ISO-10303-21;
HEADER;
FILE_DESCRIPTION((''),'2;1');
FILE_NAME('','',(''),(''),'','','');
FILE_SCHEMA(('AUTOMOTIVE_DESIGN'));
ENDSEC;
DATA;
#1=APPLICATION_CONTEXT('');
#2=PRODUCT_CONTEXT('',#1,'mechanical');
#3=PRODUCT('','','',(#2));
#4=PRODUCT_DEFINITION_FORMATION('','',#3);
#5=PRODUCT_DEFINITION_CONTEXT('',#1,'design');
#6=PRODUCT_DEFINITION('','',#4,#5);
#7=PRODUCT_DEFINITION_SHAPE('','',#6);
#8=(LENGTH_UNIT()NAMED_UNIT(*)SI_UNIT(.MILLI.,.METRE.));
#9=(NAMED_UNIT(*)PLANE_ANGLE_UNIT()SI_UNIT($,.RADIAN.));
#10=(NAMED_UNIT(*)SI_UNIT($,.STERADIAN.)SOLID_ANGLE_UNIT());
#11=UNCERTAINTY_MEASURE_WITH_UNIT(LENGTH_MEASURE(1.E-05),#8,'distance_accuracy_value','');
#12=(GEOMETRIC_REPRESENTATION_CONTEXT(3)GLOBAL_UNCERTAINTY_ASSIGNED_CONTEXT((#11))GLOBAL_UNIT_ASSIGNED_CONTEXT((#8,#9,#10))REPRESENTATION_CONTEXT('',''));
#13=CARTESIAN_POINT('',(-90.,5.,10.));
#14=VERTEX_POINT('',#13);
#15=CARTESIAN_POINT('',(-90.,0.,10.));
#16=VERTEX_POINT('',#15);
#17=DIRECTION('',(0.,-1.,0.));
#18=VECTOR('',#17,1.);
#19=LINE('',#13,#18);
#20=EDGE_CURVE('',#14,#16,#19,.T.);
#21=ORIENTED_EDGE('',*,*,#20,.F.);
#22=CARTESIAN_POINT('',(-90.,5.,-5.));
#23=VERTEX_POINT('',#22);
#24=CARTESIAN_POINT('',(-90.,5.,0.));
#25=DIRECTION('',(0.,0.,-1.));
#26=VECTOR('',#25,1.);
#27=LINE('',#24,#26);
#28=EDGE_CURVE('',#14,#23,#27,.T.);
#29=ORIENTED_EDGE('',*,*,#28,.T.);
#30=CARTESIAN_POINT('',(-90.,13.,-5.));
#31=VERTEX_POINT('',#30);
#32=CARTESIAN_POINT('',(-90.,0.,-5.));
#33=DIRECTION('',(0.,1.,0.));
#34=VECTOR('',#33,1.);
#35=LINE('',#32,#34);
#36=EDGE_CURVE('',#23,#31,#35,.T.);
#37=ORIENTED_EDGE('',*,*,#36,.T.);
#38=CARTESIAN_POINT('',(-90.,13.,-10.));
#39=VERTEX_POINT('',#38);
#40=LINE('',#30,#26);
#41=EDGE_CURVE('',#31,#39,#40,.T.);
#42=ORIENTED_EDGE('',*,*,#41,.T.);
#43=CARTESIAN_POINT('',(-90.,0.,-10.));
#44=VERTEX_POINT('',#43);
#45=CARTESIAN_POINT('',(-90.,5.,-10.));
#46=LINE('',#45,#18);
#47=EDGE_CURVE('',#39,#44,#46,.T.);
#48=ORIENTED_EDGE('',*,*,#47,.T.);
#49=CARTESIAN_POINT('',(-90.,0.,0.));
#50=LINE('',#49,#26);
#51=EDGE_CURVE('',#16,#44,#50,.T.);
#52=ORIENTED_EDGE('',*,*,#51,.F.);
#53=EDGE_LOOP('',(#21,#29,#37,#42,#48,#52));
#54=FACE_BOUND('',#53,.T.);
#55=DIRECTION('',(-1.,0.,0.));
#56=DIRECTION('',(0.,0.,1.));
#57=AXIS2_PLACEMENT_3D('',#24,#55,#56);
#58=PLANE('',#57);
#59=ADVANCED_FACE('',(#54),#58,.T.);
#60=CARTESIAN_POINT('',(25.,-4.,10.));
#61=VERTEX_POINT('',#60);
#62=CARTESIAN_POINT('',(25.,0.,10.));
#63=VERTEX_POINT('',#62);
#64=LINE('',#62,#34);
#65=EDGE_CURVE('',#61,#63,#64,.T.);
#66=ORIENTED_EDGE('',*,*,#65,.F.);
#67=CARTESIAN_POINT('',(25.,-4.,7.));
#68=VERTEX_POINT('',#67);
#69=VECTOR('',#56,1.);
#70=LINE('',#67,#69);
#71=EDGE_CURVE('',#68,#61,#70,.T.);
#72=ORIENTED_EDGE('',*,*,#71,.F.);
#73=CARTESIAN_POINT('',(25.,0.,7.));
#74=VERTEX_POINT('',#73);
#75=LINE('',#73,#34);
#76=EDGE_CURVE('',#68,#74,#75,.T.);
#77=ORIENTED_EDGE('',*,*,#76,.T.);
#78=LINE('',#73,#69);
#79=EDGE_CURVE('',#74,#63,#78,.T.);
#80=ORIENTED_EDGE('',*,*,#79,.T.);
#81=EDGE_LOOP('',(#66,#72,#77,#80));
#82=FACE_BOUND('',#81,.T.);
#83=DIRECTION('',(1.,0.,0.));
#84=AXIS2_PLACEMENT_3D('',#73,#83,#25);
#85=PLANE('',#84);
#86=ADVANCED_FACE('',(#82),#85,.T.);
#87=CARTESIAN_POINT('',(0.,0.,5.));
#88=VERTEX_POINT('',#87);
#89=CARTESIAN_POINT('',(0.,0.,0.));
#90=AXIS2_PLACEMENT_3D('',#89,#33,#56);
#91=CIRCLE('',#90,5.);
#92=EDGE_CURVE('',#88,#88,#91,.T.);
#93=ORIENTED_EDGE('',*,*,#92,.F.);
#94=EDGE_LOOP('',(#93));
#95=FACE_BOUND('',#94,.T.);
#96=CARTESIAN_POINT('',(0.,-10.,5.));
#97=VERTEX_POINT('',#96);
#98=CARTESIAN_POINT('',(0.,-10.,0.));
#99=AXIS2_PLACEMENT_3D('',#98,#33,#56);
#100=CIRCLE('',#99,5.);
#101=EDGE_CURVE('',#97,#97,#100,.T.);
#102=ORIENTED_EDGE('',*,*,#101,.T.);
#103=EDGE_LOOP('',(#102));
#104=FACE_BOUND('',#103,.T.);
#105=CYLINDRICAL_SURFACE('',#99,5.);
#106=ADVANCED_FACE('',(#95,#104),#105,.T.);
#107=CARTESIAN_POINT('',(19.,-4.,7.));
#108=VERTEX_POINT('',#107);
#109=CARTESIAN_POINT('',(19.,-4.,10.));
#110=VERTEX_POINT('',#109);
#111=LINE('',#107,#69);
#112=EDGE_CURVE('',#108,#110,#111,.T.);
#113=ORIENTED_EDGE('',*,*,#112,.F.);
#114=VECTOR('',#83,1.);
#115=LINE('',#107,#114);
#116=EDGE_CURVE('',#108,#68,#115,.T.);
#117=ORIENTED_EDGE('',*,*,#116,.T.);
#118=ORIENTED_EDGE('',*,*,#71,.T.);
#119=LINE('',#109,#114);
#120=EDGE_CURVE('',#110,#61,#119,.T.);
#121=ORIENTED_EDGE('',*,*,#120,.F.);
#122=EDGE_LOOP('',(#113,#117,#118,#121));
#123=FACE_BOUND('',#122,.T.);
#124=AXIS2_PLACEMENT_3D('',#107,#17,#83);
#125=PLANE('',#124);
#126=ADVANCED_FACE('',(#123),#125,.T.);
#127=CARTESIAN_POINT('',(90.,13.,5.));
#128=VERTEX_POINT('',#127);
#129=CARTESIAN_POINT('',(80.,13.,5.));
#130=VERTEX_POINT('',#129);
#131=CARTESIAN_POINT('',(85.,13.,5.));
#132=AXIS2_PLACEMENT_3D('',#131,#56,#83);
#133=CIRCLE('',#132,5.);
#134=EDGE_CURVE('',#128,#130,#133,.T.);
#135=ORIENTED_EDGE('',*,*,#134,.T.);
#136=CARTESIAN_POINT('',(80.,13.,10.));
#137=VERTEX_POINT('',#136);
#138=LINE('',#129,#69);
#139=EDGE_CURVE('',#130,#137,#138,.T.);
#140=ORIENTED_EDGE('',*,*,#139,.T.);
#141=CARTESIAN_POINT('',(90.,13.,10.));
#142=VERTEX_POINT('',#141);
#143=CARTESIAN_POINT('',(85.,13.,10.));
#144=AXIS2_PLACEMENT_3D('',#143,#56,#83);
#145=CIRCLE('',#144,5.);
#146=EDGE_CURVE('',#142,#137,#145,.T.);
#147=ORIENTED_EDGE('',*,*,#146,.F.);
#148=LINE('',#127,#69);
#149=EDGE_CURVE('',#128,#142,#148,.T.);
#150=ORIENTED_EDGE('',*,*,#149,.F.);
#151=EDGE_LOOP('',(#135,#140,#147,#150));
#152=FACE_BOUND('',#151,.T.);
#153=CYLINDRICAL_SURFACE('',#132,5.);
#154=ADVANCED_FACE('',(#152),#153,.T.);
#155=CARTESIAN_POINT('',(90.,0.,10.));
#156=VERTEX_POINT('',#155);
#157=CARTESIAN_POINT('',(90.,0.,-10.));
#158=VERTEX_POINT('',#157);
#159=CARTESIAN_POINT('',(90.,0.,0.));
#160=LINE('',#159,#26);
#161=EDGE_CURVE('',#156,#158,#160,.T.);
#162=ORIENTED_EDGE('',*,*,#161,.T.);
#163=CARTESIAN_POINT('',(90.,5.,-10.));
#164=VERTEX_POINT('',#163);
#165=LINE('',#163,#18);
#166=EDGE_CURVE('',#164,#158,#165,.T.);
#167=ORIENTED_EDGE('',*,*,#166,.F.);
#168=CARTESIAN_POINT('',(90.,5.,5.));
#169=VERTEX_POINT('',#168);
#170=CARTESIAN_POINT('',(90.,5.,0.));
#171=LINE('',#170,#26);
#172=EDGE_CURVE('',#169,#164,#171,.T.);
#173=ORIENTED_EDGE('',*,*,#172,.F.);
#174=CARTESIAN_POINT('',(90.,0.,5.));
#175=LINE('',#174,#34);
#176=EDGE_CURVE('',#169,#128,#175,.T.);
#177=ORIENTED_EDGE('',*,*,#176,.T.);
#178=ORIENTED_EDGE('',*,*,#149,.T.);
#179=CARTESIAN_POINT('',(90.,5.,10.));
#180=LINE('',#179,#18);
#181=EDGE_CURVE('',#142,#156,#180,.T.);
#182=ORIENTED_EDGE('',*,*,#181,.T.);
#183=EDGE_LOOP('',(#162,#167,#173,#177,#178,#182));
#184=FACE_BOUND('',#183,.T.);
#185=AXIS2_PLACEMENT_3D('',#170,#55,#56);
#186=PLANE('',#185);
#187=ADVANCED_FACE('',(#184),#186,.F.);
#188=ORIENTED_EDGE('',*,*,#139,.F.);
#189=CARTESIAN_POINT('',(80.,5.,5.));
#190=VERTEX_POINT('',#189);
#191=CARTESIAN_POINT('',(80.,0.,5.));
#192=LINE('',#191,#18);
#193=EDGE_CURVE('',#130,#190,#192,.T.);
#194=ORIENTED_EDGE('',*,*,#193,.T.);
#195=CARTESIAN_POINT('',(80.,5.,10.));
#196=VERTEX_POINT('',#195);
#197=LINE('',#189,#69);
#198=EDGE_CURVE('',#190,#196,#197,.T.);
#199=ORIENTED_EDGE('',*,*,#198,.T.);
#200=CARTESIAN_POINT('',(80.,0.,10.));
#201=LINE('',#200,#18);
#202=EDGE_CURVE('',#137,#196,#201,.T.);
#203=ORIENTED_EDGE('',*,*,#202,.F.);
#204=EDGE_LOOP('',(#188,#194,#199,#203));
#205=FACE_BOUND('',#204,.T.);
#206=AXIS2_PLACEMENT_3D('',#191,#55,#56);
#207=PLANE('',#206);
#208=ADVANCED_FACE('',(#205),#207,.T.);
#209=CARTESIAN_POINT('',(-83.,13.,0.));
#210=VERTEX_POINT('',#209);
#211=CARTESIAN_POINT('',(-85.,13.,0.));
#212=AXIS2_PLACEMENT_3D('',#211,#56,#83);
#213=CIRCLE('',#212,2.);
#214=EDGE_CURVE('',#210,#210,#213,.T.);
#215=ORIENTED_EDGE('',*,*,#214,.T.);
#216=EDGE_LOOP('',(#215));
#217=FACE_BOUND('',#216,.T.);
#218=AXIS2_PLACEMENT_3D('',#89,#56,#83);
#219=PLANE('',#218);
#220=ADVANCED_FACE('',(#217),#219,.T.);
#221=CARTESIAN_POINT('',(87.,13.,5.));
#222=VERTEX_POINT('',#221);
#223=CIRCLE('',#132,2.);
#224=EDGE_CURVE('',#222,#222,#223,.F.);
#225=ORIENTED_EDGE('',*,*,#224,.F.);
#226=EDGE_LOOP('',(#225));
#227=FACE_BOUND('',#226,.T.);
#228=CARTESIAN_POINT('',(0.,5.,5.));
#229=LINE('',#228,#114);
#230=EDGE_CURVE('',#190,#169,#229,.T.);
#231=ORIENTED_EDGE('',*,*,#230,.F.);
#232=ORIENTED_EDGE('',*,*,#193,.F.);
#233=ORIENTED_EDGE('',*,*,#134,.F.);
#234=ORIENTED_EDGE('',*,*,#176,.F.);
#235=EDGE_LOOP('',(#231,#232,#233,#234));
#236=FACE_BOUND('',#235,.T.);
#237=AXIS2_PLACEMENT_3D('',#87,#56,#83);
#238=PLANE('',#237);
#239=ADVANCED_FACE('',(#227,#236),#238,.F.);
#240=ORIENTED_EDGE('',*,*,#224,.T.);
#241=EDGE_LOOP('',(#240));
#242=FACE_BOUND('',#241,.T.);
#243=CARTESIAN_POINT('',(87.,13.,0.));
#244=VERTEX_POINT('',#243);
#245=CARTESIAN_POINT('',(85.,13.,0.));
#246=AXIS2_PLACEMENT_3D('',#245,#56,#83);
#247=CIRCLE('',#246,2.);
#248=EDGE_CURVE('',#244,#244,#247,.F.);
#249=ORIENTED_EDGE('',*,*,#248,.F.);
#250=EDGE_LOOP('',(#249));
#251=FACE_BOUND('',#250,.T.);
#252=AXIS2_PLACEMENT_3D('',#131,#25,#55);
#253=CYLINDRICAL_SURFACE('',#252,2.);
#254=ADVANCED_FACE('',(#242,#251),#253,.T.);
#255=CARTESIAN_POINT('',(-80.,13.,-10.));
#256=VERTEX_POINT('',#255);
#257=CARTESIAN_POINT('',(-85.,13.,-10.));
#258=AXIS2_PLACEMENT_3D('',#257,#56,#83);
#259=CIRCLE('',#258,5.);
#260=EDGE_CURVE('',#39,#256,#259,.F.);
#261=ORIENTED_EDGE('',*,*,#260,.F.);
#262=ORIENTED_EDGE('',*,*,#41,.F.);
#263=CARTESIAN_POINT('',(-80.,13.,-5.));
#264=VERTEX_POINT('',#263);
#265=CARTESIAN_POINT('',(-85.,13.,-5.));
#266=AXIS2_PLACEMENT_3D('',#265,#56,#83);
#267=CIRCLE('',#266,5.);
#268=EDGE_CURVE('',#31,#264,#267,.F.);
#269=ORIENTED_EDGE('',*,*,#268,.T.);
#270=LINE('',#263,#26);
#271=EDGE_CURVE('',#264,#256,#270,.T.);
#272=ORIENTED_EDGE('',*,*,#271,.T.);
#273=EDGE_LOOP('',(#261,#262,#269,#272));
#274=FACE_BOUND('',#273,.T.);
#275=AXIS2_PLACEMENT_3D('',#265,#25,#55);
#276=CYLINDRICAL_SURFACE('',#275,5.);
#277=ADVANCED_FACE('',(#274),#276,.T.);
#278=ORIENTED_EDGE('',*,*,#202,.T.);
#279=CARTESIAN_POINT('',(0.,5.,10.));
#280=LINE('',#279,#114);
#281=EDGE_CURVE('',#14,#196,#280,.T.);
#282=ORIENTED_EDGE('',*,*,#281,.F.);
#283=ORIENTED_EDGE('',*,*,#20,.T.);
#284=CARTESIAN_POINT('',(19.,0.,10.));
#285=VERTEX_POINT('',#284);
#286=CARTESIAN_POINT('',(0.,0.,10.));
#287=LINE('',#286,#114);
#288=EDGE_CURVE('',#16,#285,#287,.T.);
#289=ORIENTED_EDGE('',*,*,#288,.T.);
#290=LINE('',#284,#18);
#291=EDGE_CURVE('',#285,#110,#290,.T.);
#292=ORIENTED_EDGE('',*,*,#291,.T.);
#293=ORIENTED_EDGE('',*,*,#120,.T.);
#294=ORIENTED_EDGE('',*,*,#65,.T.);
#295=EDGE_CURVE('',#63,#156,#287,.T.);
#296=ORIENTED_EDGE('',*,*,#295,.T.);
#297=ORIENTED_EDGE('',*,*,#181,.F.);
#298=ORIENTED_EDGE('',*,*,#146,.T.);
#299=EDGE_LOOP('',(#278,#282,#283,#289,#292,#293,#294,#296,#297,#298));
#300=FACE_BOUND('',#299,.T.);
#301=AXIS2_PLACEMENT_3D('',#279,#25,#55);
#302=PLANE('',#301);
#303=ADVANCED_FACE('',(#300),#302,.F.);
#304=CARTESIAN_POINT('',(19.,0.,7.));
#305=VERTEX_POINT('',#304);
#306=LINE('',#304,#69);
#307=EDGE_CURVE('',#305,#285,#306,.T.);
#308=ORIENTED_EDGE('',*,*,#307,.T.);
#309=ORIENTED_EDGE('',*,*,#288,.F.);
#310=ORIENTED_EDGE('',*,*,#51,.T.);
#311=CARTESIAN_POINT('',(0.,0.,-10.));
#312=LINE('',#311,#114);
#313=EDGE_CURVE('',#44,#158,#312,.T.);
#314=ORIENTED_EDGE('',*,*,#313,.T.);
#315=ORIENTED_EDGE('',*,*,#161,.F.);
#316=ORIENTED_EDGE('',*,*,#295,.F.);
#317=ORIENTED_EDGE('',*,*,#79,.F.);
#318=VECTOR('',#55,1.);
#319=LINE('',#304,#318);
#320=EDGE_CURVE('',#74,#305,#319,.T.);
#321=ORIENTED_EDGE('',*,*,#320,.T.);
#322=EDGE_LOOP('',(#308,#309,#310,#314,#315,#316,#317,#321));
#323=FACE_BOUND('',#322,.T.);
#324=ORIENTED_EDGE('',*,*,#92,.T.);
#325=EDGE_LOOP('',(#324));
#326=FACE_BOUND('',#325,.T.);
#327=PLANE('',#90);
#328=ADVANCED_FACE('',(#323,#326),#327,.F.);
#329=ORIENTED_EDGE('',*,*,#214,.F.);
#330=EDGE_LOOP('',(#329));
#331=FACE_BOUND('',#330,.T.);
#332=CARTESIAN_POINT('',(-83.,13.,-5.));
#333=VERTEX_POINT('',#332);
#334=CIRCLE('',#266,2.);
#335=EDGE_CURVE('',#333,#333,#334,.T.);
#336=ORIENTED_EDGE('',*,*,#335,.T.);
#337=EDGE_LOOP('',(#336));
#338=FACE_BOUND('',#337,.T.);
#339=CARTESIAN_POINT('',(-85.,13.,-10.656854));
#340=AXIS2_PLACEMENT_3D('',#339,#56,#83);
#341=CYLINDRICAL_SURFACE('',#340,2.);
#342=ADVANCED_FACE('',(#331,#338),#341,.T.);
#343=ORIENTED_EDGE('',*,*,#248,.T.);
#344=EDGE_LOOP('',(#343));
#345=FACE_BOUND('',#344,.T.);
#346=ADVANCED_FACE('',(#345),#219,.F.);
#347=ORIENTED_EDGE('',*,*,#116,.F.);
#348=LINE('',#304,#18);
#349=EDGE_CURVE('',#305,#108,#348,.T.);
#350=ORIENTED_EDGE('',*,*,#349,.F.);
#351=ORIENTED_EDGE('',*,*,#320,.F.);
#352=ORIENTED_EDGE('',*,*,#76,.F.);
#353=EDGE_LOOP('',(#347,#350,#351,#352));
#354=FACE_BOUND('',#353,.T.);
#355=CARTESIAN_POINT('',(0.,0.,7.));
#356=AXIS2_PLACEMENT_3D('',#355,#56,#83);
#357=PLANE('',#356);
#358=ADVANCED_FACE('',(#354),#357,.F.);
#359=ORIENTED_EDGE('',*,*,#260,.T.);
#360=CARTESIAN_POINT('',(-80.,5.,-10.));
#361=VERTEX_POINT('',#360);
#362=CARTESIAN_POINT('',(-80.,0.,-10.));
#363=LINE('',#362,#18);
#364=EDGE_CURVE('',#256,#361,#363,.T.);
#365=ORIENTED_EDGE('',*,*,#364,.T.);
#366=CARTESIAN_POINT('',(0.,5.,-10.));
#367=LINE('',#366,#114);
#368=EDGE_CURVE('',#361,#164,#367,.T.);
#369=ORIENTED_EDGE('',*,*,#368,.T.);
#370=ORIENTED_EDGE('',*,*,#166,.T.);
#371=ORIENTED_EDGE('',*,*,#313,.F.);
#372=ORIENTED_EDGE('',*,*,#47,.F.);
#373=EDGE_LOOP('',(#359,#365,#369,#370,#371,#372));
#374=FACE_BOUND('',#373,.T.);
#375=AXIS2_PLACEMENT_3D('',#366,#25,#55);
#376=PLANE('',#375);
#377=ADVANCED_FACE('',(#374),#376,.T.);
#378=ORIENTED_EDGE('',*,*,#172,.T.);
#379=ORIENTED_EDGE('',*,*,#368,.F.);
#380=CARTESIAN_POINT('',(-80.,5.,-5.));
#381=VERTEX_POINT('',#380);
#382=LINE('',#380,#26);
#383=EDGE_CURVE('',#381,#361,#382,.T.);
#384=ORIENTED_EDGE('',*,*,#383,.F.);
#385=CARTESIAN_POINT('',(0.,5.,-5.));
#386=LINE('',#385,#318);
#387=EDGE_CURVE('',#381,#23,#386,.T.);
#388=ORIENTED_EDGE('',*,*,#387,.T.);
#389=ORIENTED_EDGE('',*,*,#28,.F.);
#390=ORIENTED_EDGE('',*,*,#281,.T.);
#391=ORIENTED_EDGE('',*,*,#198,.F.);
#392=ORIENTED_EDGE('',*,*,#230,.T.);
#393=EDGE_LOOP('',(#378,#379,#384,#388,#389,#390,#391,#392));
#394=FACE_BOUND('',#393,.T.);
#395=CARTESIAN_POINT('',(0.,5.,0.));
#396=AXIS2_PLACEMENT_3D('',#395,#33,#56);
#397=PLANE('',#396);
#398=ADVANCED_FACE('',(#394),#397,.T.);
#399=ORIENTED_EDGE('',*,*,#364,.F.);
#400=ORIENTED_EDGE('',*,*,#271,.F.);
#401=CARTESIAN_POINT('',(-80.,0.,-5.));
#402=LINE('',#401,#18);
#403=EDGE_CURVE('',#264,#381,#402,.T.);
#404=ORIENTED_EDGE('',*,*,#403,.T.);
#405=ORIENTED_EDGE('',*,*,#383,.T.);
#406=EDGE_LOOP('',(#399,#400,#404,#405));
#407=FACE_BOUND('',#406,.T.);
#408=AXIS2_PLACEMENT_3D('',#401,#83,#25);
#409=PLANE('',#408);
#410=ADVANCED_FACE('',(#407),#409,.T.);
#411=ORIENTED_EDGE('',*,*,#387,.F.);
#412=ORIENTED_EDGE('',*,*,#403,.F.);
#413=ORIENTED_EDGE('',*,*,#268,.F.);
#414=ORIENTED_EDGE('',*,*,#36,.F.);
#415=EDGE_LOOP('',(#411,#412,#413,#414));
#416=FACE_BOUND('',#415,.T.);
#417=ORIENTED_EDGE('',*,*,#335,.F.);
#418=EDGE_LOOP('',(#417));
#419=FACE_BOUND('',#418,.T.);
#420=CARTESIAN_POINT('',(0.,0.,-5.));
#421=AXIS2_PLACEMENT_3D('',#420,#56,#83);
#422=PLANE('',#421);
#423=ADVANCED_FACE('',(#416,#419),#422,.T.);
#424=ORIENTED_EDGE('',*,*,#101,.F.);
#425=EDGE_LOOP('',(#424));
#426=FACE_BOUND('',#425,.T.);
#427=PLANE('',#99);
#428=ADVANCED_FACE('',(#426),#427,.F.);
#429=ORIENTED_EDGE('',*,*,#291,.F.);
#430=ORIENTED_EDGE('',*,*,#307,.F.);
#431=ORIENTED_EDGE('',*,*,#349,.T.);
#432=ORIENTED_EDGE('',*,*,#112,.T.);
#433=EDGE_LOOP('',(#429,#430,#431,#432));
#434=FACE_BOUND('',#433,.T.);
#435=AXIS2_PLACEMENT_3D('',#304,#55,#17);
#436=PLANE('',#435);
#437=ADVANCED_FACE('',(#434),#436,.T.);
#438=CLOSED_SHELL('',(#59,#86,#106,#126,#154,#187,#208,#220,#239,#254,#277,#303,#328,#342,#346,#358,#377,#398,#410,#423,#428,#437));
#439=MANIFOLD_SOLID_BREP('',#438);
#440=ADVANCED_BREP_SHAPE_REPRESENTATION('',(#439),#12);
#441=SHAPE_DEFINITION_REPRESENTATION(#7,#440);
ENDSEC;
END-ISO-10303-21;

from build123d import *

# Parameters (mm, degrees)
SKETCH1_W           = 180
SKETCH1_H           = 20
SKETCH1_R           = 5
BOSS_EXTRUDE1_DEPTH = 5
BOSS_EXTRUDE4_START = -10
SKETCH2_R           = 2
BOSS_EXTRUDE4_DEPTH = 5
SKETCH2_3_R         = 2
BOSS_EXTRUDE5_DEPTH = 5
BOSS_EXTRUDE6_START = 10
SKETCH2_4_R         = 2
BOSS_EXTRUDE6_DEPTH = 5
SKETCH2_5_R         = 2
BOSS_EXTRUDE7_DEPTH = 5
SKETCH1_3_R         = 5
BOSS_EXTRUDE8_DEPTH = 10
SKETCH3_W           = 6
SKETCH3_H           = 4
BOSS_EXTRUDE9_DEPTH = 3


with BuildPart() as part:
    # Sketch1 → Boss-Extrude1 (new body)
    # profile 1 of 2: a face of its own
    with BuildSketch(Plane(origin=(0, 0, 0), x_dir=(1, 0, 0), z_dir=(0, 1, 0))):
        Rectangle(SKETCH1_W, SKETCH1_H)
        Circle(SKETCH1_R, mode=Mode.SUBTRACT)
    # profile 2 of 2: a face of its own
    with BuildSketch(Plane(origin=(0, 0, 0), x_dir=(1, 0, 0), z_dir=(0, 1, 0))):
        Circle(SKETCH1_R)
    extrude(amount=BOSS_EXTRUDE1_DEPTH)

    # Sketch2 → Boss-Extrude4 (add)
    # profile 1 of 2: a face of its own
    with BuildSketch(Plane.XY.offset(BOSS_EXTRUDE4_START)):
        with BuildLine():
            ThreePointArc((-90, 13), (-85, 18), (-80, 13))
            Line((-80, 13), (-80, 5))
            Line((-80, 5), (-90, 5))
            Line((-90, 5), (-90, 13))
        make_face()
        with Locations((-85, 13)):
            Circle(SKETCH2_R, mode=Mode.SUBTRACT)
    # profile 2 of 2: a face of its own
    with BuildSketch(Plane.XY.offset(BOSS_EXTRUDE4_START)):
        with Locations((-85, 13)):
            Circle(SKETCH2_R)
    extrude(amount=BOSS_EXTRUDE4_DEPTH)

    # Sketch2<3> → Boss-Extrude5 (add)
    with BuildSketch(Plane.XY):
        with Locations((-85, 13)):
            Circle(SKETCH2_3_R)
    extrude(amount=-BOSS_EXTRUDE5_DEPTH)

    # Sketch2<4> → Boss-Extrude6 (add)
    # profile 1 of 2: a face of its own
    with BuildSketch(Plane.XY.offset(BOSS_EXTRUDE6_START)):
        with BuildLine():
            Line((90, 5), (90, 13))
            ThreePointArc((90, 13), (85, 18), (80, 13))
            Line((80, 13), (80, 5))
            Line((80, 5), (90, 5))
        make_face()
        with Locations((85, 13)):
            Circle(SKETCH2_4_R, mode=Mode.SUBTRACT)
    # profile 2 of 2: a face of its own
    with BuildSketch(Plane.XY.offset(BOSS_EXTRUDE6_START)):
        with Locations((85, 13)):
            Circle(SKETCH2_4_R)
    extrude(amount=-BOSS_EXTRUDE6_DEPTH)

    # Sketch2<5> → Boss-Extrude7 (add)
    with BuildSketch(Plane.XY):
        with Locations((85, 13)):
            Circle(SKETCH2_5_R)
    extrude(amount=BOSS_EXTRUDE7_DEPTH)

    # Sketch1<3> → Boss-Extrude8 (add)
    with BuildSketch(Plane(origin=(0, 0, 0), x_dir=(1, 0, 0), z_dir=(0, 1, 0))):
        with Locations(Location((0, 0, 0), (0, 0, 270))):
            Circle(SKETCH1_3_R)
    extrude(amount=-BOSS_EXTRUDE8_DEPTH)

    # Sketch3 → Boss-Extrude9 (add)
    with BuildSketch(Plane.XY.offset(10)):
        with Locations((22, -2)):
            Rectangle(SKETCH3_W, SKETCH3_H)
    extrude(amount=-BOSS_EXTRUDE9_DEPTH)


solid = part.part
